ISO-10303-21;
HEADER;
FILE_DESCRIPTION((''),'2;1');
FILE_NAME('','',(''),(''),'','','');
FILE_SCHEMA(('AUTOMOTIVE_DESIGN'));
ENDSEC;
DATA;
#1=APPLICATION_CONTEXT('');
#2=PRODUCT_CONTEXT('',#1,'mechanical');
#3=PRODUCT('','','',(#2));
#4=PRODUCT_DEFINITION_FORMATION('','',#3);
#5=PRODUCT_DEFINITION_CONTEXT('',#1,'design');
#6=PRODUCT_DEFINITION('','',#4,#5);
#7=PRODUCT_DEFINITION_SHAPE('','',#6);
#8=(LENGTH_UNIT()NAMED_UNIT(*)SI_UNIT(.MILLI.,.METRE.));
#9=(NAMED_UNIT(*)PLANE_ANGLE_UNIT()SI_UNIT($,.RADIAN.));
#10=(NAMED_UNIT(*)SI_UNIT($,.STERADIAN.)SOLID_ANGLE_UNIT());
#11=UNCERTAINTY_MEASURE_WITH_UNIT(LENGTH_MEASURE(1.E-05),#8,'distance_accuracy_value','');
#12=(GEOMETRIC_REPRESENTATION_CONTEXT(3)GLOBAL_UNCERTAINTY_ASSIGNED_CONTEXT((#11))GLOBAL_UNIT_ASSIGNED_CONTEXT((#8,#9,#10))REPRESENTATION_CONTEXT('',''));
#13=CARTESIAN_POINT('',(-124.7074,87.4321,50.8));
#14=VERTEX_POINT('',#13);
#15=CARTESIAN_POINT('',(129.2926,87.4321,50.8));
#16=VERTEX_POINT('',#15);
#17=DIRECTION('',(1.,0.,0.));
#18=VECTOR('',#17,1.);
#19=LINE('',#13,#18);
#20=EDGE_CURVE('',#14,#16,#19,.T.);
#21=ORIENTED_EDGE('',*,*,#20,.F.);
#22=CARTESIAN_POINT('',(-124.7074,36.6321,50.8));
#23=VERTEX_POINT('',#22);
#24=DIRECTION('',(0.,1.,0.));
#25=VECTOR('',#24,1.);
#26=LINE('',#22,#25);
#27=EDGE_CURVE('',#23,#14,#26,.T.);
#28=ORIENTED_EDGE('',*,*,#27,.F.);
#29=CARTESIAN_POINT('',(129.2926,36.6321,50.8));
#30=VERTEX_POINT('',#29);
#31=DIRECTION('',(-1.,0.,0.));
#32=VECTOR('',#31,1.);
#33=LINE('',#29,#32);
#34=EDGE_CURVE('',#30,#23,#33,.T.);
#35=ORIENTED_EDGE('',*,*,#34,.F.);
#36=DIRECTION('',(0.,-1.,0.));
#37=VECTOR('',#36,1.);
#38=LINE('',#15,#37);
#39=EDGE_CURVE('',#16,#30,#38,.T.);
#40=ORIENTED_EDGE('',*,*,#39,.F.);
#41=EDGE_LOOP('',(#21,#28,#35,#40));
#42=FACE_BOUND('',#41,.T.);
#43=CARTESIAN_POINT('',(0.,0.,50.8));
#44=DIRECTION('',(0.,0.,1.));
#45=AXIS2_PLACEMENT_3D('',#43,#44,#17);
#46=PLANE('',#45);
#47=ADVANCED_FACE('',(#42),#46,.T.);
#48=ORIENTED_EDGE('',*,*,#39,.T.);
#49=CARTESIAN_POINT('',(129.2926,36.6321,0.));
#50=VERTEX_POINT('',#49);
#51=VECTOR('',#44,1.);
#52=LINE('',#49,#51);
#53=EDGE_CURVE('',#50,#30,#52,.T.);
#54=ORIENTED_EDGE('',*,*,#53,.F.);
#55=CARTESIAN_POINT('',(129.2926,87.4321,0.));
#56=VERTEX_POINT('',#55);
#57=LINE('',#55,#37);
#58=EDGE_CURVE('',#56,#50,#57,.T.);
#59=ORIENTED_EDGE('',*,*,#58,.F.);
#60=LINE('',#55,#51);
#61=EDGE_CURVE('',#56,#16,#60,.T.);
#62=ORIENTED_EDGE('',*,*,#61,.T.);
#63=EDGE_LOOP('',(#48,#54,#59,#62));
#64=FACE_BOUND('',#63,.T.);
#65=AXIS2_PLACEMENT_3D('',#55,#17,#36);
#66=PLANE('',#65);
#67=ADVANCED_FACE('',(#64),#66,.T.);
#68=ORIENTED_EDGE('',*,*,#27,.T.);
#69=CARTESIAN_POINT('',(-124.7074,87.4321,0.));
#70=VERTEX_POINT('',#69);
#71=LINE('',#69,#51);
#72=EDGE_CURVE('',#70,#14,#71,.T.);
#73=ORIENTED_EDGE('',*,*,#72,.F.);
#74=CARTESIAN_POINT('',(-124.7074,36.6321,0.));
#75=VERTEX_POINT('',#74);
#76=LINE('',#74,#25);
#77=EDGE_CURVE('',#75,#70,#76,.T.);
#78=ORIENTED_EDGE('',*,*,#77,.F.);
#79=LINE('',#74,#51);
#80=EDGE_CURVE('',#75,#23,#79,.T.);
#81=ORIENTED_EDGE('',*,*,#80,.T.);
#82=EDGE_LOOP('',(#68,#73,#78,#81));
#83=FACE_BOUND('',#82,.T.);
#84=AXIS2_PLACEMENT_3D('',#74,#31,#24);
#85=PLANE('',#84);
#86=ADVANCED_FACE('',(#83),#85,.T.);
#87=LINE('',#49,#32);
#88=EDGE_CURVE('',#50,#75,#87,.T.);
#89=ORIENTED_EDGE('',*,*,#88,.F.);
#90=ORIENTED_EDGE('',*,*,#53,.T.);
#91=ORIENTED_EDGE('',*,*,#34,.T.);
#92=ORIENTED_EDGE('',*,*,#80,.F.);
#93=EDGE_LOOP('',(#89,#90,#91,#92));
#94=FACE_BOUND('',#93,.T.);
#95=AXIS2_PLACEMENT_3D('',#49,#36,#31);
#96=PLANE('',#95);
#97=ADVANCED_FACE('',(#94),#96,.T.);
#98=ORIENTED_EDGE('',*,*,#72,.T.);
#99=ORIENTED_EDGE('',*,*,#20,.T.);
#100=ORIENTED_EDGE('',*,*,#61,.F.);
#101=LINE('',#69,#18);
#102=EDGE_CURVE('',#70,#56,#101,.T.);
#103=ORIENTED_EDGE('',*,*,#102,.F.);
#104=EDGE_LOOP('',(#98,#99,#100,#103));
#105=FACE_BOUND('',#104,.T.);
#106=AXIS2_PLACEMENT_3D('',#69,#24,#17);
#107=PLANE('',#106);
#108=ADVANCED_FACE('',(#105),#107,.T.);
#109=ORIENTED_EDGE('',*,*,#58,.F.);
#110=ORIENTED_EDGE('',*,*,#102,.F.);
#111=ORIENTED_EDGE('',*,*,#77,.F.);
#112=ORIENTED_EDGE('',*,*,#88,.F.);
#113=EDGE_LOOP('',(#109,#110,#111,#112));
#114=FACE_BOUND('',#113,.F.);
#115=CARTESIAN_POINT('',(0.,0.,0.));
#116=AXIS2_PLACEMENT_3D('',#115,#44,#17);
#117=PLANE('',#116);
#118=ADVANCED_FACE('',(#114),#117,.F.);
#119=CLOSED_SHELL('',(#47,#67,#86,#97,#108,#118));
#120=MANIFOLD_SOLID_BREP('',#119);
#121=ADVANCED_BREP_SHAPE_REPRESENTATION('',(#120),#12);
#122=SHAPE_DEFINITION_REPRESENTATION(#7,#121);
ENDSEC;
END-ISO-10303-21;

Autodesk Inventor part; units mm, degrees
ref_plane "YZ Plane" through (0, 0, 0) normal (1, 0, 0) x (0, 1, 0)
ref_plane "XZ Plane" through (0, 0, 0) normal (0, 1, 0) x (-1, 0, 0)
ref_plane "XY Plane" through (0, 0, 0) normal (0, 0, 1) x (1, 0, 0)
sketch "Sketch1" plane through (0, 0, 0) normal (0, 0, 1) x (1, 0, 0)
  line L0 (-124.7074, 87.4321) -> (129.2926, 87.4321)
  line L1 (129.2926, 87.4321) -> (129.2926, 36.6321)
  line L2 (129.2926, 36.6321) -> (-124.7074, 36.6321)
  line L3 (-124.7074, 36.6321) -> (-124.7074, 87.4321)
  point P0 (0, 0)
  dimension "d0" = 254
  dimension "d1" = 50.8
extrude "Extrusion1" add sketch "Sketch1" along normal blind 50.8
